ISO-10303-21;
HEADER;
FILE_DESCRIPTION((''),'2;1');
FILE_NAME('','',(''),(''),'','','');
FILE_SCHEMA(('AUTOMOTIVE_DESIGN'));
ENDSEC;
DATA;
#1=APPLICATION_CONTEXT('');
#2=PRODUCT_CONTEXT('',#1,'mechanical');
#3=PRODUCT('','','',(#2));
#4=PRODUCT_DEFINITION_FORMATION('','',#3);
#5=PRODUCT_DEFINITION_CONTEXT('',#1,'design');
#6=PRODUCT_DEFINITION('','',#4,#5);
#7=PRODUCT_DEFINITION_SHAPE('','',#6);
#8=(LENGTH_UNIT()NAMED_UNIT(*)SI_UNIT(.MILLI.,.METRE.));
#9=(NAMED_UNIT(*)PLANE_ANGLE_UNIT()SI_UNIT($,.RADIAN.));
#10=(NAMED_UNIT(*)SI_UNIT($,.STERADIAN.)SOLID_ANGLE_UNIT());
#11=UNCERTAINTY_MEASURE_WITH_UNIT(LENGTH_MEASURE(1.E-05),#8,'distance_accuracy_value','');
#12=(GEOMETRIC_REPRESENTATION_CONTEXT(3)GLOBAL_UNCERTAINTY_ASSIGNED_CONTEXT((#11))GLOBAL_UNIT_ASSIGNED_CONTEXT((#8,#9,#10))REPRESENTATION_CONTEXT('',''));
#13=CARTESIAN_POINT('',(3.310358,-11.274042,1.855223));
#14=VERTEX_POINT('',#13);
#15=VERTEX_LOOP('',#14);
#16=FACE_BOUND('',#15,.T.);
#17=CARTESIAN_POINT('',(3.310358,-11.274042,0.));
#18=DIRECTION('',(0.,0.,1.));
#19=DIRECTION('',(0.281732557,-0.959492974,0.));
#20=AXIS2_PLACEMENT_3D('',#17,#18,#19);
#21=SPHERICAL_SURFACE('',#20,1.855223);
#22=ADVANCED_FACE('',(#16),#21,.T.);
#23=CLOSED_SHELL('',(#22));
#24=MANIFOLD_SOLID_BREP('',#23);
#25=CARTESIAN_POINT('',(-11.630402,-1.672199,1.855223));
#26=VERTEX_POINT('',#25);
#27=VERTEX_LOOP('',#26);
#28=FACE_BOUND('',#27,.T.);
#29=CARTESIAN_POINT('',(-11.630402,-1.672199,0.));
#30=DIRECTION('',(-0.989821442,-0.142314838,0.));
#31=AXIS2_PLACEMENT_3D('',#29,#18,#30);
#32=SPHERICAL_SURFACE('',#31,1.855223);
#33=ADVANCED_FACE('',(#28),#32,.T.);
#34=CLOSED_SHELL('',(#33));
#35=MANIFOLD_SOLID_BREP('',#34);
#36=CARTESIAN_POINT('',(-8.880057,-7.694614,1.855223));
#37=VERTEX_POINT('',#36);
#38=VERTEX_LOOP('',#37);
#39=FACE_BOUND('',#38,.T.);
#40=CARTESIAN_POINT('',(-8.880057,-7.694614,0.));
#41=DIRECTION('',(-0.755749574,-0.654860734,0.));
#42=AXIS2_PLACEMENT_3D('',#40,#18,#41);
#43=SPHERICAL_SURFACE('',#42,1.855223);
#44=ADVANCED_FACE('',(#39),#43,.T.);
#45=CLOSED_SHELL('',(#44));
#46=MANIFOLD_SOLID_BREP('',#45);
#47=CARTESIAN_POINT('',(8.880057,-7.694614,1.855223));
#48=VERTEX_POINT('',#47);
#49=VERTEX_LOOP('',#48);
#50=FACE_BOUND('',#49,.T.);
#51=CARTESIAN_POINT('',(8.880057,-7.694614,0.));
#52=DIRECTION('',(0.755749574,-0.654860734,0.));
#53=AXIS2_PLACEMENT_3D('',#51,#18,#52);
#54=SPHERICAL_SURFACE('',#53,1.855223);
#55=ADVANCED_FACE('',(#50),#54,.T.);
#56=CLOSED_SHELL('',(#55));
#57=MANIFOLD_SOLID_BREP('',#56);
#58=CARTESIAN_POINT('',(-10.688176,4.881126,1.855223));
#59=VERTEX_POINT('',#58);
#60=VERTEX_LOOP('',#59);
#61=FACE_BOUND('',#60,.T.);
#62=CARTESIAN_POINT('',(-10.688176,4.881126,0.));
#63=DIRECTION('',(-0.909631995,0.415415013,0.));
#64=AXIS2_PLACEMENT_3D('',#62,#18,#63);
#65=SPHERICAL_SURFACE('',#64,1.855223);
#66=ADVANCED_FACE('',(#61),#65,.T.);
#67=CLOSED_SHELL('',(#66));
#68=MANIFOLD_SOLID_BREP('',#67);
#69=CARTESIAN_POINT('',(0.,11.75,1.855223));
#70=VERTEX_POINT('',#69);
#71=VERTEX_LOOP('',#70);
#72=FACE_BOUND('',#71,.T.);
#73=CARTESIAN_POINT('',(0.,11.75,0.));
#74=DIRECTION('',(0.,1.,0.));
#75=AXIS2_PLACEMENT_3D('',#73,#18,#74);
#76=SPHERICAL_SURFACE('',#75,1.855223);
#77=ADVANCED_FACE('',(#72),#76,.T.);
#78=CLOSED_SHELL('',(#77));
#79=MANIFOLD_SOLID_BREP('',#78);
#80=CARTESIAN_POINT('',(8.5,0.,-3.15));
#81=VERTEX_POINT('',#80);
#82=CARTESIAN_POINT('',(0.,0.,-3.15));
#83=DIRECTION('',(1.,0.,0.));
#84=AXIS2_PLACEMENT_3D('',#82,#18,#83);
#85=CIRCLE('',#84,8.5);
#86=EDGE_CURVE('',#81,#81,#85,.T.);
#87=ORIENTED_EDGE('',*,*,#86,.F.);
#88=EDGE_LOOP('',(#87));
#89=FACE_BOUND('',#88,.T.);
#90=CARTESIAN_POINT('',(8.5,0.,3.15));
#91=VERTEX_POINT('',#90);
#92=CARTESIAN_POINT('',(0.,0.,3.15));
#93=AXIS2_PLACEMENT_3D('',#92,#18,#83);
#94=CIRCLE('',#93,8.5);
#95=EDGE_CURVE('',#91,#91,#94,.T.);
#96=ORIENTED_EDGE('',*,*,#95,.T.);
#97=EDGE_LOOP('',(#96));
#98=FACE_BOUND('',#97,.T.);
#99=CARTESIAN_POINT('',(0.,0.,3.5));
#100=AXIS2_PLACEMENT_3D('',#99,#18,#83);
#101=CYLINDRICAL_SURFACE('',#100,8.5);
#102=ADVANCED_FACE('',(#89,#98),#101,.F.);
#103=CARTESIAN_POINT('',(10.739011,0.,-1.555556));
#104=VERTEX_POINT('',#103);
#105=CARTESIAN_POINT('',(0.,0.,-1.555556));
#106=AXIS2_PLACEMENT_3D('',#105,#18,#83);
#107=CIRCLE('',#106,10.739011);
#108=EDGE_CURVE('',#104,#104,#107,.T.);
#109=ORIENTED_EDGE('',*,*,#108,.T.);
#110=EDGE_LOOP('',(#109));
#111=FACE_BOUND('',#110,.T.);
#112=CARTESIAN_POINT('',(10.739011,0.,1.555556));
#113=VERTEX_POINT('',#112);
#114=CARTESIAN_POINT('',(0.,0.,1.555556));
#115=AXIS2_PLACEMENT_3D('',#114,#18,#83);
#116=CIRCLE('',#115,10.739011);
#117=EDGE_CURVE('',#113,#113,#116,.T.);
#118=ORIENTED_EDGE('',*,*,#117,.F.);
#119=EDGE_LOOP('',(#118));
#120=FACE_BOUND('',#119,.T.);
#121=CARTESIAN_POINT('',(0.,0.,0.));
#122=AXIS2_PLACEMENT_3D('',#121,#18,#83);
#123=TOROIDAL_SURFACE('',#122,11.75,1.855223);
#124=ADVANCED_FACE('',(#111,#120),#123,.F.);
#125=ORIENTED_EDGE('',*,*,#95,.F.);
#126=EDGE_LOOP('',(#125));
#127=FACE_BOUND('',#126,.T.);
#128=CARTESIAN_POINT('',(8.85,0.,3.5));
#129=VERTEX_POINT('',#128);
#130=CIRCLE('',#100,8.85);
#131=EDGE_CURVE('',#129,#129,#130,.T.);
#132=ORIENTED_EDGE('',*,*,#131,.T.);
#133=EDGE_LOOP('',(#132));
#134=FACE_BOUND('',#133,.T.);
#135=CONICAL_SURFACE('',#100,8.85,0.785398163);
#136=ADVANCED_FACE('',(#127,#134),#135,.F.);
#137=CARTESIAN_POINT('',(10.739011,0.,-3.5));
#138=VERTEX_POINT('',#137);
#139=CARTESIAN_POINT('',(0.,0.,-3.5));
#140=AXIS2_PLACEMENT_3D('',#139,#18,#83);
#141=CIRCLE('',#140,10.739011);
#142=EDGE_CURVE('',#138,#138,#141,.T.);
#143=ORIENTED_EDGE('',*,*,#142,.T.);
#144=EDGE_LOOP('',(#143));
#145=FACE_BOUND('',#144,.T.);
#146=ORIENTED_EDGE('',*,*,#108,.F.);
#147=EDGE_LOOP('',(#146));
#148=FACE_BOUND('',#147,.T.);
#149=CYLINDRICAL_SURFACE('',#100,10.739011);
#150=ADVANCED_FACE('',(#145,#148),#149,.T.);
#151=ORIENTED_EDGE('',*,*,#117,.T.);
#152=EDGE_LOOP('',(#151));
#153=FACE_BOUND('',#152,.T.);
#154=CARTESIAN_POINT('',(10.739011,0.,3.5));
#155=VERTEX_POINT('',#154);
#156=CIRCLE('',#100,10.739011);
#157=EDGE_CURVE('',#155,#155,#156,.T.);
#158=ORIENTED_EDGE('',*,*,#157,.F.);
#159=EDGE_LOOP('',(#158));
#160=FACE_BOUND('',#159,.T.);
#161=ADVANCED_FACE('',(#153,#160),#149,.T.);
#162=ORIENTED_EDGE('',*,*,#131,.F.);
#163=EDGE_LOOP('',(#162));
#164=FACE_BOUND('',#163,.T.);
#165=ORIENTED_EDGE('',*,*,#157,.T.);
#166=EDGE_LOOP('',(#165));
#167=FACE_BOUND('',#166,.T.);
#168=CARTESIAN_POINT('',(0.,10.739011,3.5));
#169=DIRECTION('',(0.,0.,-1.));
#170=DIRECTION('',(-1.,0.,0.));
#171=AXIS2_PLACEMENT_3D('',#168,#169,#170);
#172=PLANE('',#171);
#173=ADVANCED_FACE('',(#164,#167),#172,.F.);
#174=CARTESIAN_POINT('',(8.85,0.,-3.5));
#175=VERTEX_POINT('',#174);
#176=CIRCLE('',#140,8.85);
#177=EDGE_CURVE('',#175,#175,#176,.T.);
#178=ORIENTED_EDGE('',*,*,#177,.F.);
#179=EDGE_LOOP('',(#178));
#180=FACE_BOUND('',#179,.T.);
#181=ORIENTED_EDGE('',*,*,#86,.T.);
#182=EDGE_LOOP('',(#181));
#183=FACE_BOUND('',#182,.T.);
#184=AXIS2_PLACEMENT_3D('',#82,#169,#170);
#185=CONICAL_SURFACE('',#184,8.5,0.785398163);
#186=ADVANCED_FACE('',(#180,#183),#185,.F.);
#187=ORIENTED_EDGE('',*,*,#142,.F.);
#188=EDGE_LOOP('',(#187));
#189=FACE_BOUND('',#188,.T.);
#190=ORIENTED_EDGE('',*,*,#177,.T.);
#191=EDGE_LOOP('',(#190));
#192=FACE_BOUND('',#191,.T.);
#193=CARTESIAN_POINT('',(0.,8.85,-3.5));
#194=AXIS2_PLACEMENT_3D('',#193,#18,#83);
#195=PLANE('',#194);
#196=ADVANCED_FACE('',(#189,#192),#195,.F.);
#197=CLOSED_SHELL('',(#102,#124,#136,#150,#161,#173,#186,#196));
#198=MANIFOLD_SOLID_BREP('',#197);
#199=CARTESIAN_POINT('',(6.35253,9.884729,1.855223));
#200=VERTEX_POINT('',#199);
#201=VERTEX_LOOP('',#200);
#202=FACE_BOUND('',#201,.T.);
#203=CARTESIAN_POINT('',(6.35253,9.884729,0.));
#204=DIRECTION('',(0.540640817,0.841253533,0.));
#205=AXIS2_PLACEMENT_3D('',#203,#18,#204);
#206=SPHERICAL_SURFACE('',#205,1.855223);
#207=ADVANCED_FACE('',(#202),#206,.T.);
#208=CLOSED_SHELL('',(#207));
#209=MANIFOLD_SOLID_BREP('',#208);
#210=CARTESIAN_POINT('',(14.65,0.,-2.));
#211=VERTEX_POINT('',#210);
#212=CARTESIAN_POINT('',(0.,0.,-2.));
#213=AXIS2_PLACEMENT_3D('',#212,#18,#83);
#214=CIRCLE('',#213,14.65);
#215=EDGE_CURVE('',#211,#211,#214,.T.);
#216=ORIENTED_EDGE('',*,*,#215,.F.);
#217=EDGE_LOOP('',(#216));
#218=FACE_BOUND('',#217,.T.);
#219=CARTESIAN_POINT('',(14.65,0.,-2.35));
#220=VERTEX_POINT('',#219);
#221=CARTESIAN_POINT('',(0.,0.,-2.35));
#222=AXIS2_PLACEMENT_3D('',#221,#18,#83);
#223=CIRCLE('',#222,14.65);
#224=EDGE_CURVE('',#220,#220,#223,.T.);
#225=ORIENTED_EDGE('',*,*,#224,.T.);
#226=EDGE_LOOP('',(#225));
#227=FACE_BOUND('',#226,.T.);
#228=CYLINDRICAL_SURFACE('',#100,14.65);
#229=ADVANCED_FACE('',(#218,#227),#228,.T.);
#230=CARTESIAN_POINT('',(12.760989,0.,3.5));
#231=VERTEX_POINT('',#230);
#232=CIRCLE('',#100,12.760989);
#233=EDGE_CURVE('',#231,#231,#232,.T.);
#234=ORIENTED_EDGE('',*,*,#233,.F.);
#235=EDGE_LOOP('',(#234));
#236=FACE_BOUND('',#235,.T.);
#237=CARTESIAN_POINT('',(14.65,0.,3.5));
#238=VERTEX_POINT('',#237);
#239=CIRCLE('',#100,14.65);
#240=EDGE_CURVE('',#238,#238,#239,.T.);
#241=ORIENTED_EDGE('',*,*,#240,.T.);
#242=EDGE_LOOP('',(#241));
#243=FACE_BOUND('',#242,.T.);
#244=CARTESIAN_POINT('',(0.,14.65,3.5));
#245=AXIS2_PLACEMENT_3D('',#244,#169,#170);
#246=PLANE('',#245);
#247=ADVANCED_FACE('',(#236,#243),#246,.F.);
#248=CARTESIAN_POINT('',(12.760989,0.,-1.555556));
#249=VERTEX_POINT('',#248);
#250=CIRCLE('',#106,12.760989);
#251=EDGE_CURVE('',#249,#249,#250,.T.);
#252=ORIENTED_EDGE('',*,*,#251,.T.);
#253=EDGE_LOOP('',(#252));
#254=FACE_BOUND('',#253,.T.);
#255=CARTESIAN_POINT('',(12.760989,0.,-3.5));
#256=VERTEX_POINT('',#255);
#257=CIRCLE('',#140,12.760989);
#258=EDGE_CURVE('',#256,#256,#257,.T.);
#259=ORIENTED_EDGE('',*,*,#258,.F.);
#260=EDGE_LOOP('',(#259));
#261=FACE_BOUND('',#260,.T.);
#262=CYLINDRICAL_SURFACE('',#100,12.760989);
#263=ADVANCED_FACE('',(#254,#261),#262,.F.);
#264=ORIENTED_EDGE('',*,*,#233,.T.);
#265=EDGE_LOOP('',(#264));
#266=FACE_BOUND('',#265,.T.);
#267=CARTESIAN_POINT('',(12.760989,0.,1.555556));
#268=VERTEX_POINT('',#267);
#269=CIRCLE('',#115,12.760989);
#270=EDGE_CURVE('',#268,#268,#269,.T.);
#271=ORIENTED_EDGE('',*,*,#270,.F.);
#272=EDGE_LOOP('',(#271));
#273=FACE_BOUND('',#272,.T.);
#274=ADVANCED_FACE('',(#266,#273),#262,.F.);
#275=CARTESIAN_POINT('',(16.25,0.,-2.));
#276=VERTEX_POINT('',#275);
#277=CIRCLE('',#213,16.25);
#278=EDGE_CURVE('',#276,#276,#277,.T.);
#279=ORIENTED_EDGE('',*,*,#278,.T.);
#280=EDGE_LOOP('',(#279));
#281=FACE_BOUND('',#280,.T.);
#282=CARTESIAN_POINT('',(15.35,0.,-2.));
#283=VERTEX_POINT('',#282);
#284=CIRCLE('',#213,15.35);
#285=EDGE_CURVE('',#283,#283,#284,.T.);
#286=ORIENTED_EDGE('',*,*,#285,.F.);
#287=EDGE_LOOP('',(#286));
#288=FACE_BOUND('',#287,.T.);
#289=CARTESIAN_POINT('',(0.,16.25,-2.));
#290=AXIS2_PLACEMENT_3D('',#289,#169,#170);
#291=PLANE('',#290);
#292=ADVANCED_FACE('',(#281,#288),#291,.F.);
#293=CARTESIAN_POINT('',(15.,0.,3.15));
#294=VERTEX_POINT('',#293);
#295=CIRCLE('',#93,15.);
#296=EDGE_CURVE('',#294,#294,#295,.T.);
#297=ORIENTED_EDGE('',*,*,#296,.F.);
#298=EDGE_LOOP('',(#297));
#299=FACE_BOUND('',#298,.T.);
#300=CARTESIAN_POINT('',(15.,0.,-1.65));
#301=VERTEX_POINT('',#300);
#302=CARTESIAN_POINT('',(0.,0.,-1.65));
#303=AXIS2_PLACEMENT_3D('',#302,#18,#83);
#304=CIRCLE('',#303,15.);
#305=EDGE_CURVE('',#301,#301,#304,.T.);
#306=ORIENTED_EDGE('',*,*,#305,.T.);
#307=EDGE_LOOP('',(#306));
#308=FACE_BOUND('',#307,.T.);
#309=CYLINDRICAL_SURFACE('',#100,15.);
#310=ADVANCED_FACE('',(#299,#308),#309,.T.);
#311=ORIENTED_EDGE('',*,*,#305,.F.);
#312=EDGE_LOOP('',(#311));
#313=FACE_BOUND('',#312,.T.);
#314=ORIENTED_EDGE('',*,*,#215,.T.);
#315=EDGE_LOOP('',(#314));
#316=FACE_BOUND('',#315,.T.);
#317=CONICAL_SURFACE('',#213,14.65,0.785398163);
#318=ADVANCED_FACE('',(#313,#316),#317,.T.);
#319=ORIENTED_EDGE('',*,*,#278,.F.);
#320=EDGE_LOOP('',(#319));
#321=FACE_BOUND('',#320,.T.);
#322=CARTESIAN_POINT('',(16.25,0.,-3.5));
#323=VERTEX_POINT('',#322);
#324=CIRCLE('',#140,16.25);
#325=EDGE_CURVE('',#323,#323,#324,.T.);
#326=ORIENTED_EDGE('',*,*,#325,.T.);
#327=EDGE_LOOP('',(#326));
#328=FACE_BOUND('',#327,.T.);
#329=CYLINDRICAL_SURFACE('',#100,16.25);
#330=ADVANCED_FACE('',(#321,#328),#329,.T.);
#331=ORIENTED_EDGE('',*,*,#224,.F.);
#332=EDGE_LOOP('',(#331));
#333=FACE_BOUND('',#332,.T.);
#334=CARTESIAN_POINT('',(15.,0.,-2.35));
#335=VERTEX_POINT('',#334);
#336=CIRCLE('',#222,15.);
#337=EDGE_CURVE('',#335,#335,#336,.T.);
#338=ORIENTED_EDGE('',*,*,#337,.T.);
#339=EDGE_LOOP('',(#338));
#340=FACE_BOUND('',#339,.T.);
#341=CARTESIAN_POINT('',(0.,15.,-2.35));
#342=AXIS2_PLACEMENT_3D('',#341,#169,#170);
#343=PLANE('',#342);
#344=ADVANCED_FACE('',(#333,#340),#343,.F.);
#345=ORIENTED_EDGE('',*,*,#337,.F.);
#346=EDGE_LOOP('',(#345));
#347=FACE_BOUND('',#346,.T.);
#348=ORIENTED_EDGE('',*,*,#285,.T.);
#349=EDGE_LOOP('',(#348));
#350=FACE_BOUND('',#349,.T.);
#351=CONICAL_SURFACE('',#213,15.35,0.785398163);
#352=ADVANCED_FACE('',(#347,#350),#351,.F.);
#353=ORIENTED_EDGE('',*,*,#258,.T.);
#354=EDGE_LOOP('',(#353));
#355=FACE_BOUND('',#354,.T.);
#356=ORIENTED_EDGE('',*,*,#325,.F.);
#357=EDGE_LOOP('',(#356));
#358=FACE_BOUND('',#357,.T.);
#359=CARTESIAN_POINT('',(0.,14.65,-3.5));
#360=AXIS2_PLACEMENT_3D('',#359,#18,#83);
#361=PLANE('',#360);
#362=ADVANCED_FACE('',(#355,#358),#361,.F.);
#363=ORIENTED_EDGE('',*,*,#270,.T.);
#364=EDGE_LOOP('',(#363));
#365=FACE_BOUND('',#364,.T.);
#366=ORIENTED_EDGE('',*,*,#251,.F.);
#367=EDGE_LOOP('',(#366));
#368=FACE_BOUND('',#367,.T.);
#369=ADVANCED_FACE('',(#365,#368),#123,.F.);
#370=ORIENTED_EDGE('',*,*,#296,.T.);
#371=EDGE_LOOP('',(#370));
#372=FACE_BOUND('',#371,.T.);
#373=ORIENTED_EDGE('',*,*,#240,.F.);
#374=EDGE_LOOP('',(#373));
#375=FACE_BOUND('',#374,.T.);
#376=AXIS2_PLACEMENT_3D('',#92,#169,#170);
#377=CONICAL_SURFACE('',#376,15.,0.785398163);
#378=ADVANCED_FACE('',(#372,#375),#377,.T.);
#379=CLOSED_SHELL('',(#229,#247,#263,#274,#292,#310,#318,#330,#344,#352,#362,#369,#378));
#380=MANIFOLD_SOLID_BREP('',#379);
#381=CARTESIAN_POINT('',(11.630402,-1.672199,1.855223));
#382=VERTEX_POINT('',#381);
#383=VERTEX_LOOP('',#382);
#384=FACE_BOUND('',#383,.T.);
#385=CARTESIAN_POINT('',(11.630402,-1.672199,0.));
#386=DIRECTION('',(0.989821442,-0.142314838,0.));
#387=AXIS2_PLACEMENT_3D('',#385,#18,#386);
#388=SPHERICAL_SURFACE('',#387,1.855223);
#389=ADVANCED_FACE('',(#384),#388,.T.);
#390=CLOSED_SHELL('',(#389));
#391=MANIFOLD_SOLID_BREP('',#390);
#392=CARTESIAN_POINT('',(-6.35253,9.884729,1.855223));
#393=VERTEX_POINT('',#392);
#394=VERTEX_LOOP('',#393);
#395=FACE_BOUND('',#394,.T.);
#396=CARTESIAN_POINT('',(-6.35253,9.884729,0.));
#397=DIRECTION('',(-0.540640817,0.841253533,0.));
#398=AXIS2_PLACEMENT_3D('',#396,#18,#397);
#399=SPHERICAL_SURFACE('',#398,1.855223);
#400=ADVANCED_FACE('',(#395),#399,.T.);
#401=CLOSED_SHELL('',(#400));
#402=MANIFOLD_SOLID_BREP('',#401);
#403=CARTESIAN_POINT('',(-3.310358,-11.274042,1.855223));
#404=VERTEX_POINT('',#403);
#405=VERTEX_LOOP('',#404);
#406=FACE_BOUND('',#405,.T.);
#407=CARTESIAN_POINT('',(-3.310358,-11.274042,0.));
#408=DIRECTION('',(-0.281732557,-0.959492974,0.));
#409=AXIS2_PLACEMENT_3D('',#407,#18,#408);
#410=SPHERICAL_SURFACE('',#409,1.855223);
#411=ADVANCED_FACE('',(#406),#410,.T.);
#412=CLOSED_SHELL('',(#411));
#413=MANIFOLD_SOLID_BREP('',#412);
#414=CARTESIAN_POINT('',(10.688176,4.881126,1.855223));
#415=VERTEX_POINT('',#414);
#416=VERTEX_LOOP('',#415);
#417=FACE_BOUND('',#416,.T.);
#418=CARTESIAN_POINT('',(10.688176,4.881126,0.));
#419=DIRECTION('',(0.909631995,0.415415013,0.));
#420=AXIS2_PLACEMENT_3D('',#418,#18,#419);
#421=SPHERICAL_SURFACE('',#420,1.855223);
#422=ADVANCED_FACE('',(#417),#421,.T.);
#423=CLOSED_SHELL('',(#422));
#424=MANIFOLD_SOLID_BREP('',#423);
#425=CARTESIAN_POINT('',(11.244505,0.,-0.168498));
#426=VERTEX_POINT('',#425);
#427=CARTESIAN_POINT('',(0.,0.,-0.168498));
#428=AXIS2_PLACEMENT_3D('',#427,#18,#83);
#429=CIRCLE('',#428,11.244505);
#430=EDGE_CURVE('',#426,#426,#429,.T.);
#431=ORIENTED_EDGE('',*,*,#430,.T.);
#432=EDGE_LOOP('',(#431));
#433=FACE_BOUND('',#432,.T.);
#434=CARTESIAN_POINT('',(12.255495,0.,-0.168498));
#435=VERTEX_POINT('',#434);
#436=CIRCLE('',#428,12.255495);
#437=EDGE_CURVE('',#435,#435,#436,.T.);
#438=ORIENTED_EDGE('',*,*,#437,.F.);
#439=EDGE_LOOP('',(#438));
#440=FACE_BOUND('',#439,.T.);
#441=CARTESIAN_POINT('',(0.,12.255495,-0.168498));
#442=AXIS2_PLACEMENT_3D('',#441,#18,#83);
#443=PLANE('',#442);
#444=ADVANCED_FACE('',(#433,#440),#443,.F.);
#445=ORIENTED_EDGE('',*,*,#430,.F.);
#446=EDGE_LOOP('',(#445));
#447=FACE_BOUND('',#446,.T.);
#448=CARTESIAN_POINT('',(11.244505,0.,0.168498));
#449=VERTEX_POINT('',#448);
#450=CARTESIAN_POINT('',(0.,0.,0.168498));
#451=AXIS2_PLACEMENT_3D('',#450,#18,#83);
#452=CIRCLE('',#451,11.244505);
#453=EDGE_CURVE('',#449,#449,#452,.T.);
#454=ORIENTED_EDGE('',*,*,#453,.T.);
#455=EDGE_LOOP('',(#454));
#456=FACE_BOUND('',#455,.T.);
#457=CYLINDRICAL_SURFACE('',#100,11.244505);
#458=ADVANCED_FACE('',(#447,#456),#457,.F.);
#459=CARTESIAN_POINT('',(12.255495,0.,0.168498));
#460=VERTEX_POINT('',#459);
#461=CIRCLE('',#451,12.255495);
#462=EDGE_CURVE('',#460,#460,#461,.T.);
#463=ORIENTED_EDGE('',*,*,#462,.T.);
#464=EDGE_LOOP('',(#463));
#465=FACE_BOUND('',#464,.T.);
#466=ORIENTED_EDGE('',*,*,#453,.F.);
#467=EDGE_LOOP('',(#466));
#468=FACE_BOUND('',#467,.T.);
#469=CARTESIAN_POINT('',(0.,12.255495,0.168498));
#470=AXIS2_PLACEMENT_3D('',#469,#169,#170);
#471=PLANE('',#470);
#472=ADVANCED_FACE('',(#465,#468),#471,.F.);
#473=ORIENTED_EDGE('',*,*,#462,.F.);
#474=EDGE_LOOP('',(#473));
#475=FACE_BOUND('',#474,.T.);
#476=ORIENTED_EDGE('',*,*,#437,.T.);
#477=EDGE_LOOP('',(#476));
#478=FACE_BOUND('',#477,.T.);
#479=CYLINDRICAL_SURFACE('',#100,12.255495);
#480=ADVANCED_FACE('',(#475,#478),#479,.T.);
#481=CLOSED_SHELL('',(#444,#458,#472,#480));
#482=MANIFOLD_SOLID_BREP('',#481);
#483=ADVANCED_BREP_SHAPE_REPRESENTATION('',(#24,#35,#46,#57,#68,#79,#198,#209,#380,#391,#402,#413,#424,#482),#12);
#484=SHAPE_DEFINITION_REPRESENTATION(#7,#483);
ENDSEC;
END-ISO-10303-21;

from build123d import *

# Parameters (mm, degrees)
SKETCH6_W         = 0.336996336
SKETCH6_H         = 1.01098901
CIRPATTERN1_COUNT = 11


with BuildPart() as part:
    # Sketch1 → Revolve1 (revolve)
    with BuildSketch(Plane(origin=(0, 0, 0), x_dir=(0, 0, -1), z_dir=(1, 0, 0))):
        with BuildLine():
            Line((-3.15, 15), (-3.5, 14.65))
            Line((-3.5, 14.65), (-3.5, 12.760989011))
            Line((-3.5, 12.760989011), (-1.555555556, 12.760989011))
            ThreePointArc((-1.555555556, 12.760989011), (0, 13.605222862), (1.555555556, 12.760989011))
            Line((1.555555556, 12.760989011), (3.5, 12.760989011))
            Line((3.5, 12.760989011), (3.5, 14.65))
            Line((3.5, 14.65), (3.5, 16.25))
            Line((3.5, 16.25), (2, 16.25))
            Line((2, 16.25), (2, 15.35))
            Line((2, 15.35), (2.35, 15))
            Line((2.35, 15), (2.35, 14.65))
            Line((2.35, 14.65), (2, 14.65))
            Line((2, 14.65), (1.65, 15))
            Line((1.65, 15), (-3.15, 15))
        make_face()
    revolve(axis=Axis((0, 0, 3.5), (0, 0, -1)))


with BuildPart() as body_2:
    # Sketch3 → Revolve3 (revolve)
    with BuildSketch(Plane(origin=(0, 0, 0), x_dir=(0, 0, -1), z_dir=(1, 0, 0))):
        with BuildLine():
            Line((-3.5, 10.739010989), (-1.555555556, 10.739010989))
            ThreePointArc((-1.555555556, 10.739010989), (0, 9.894777138), (1.555555556, 10.739010989))
            Line((1.555555556, 10.739010989), (3.5, 10.739010989))
            Line((3.5, 10.739010989), (3.5, 8.85))
            Line((3.5, 8.85), (3.15, 8.5))
            Line((3.15, 8.5), (-3.15, 8.5))
            Line((-3.15, 8.5), (-3.5, 8.85))
            Line((-3.5, 8.85), (-3.5, 10.739010989))
        make_face()
    revolve(axis=Axis((0, 0, 3.5), (0, 0, -1)))


with BuildPart() as body_3:
    # Sketch6 → Revolve6 (revolve)
    with BuildSketch(Plane(origin=(0, 0, 0), x_dir=(0, 0, -1), z_dir=(1, 0, 0))):
        with Locations((0, 11.75)):
            Rectangle(SKETCH6_W, SKETCH6_H)
    revolve(axis=Axis((0, 0, 3.5), (0, 0, -1)))


with BuildPart() as body_4:
    # Sketch4 → Revolve4 (revolve)
    with BuildSketch(Plane(origin=(0, 0, 0), x_dir=(0, 0, -1), z_dir=(1, 0, 0))):
        with BuildLine():
            Line((-1.855222862, 11.75), (1.855222862, 11.75))
            ThreePointArc((1.855222862, 11.75), (0, 13.605222862), (-1.855222862, 11.75))
        make_face()
    revolve(axis=Axis((0, 11.75, 1.855222862), (0, 0, -1)))


with BuildPart() as cirpattern1_1:
    # CirPattern1: pattern copy
    add(body_4.part.rotate(Axis((0, 0, -3.5), (0, 0, 1)), 1 * 360 / CIRPATTERN1_COUNT))


with BuildPart() as cirpattern1_2:
    # CirPattern1: pattern copy
    add(body_4.part.rotate(Axis((0, 0, -3.5), (0, 0, 1)), 2 * 360 / CIRPATTERN1_COUNT))


with BuildPart() as cirpattern1_3:
    # CirPattern1: pattern copy
    add(body_4.part.rotate(Axis((0, 0, -3.5), (0, 0, 1)), 3 * 360 / CIRPATTERN1_COUNT))


with BuildPart() as cirpattern1_4:
    # CirPattern1: pattern copy
    add(body_4.part.rotate(Axis((0, 0, -3.5), (0, 0, 1)), 4 * 360 / CIRPATTERN1_COUNT))


with BuildPart() as cirpattern1_5:
    # CirPattern1: pattern copy
    add(body_4.part.rotate(Axis((0, 0, -3.5), (0, 0, 1)), 5 * 360 / CIRPATTERN1_COUNT))


with BuildPart() as cirpattern1_6:
    # CirPattern1: pattern copy
    add(body_4.part.rotate(Axis((0, 0, -3.5), (0, 0, 1)), 6 * 360 / CIRPATTERN1_COUNT))


with BuildPart() as cirpattern1_7:
    # CirPattern1: pattern copy
    add(body_4.part.rotate(Axis((0, 0, -3.5), (0, 0, 1)), 7 * 360 / CIRPATTERN1_COUNT))


with BuildPart() as cirpattern1_8:
    # CirPattern1: pattern copy
    add(body_4.part.rotate(Axis((0, 0, -3.5), (0, 0, 1)), 8 * 360 / CIRPATTERN1_COUNT))


with BuildPart() as cirpattern1_9:
    # CirPattern1: pattern copy
    add(body_4.part.rotate(Axis((0, 0, -3.5), (0, 0, 1)), 9 * 360 / CIRPATTERN1_COUNT))


with BuildPart() as cirpattern1_10:
    # CirPattern1: pattern copy
    add(body_4.part.rotate(Axis((0, 0, -3.5), (0, 0, 1)), 10 * 360 / CIRPATTERN1_COUNT))


solid = Compound([part.part, body_2.part, body_3.part, body_4.part, cirpattern1_1.part, cirpattern1_2.part, cirpattern1_3.part, cirpattern1_4.part, cirpattern1_5.part, cirpattern1_6.part, cirpattern1_7.part, cirpattern1_8.part, cirpattern1_9.part, cirpattern1_10.part])
